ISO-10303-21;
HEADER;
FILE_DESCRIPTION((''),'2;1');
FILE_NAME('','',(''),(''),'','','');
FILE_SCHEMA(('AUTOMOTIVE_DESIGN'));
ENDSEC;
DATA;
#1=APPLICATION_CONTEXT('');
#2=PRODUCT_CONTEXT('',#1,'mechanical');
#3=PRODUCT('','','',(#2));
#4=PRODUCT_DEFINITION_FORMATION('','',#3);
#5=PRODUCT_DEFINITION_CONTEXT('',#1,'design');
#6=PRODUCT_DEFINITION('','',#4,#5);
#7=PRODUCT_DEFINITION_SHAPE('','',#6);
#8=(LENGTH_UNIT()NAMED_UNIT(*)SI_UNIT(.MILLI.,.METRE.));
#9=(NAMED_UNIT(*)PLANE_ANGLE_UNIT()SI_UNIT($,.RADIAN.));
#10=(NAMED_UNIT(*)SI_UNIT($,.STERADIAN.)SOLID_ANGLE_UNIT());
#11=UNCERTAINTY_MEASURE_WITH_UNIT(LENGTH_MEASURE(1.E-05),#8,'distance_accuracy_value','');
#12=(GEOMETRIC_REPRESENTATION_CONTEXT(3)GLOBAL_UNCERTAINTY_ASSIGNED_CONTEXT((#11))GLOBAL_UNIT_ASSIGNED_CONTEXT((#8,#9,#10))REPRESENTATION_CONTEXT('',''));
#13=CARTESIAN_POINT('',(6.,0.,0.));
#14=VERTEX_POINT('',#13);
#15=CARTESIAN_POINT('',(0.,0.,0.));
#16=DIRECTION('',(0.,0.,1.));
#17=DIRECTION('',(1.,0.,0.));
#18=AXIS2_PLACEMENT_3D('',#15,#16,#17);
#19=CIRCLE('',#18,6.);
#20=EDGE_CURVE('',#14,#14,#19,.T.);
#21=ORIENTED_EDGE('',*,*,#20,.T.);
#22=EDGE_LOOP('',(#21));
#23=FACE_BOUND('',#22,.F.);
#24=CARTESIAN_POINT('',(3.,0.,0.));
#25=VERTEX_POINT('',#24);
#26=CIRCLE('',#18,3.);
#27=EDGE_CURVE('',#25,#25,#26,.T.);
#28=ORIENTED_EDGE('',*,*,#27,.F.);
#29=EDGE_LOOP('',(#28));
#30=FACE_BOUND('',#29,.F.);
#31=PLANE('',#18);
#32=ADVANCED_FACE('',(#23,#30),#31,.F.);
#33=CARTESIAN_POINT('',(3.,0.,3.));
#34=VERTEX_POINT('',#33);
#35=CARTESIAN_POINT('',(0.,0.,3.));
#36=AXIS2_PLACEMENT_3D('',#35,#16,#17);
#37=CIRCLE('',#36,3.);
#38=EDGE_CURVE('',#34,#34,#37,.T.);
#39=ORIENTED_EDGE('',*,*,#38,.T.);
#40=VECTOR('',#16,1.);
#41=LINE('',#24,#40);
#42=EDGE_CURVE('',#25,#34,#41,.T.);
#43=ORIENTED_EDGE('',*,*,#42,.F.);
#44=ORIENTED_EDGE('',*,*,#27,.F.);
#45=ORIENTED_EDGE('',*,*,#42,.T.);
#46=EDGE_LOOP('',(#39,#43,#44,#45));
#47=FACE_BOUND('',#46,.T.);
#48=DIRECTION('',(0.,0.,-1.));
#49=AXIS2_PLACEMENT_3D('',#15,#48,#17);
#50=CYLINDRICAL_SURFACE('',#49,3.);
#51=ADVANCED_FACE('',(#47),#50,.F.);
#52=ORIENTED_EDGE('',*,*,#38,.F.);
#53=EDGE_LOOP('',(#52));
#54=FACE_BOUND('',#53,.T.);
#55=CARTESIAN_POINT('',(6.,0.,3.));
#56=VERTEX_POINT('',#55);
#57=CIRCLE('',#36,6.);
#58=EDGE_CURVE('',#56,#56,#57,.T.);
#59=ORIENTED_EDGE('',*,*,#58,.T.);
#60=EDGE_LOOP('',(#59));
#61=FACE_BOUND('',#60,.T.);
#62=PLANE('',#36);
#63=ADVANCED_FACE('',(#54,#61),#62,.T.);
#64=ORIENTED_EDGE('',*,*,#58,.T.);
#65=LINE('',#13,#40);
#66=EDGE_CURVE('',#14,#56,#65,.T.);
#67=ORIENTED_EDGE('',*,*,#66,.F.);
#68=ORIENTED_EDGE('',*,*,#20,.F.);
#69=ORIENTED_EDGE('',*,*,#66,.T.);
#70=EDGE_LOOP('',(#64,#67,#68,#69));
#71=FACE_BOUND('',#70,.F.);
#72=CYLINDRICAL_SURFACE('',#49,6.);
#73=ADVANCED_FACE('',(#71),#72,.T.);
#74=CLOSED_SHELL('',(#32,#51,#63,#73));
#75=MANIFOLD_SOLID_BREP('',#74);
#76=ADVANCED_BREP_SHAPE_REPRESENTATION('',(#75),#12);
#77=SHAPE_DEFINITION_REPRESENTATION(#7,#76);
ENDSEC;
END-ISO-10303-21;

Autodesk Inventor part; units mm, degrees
ref_plane "YZ Plane" through (0, 0, 0) normal (1, 0, 0) x (0, 1, 0)
ref_plane "XZ Plane" through (0, 0, 0) normal (0, 1, 0) x (-1, 0, 0)
ref_plane "XY Plane" through (0, 0, 0) normal (0, 0, 1) x (1, 0, 0)
sketch "Sketch1" plane through (0, 0, 0) normal (0, 0, 1) x (1, 0, 0)
  circle A0 centre (0, 0) radius 3
  circle A1 centre (0, 0) radius 6
  dimension "d0" = 6
  dimension "d1" = 12
extrude "Extrusion1" add sketch "Sketch1" along normal blind 3
properties part number "bearing_6_12_3"
